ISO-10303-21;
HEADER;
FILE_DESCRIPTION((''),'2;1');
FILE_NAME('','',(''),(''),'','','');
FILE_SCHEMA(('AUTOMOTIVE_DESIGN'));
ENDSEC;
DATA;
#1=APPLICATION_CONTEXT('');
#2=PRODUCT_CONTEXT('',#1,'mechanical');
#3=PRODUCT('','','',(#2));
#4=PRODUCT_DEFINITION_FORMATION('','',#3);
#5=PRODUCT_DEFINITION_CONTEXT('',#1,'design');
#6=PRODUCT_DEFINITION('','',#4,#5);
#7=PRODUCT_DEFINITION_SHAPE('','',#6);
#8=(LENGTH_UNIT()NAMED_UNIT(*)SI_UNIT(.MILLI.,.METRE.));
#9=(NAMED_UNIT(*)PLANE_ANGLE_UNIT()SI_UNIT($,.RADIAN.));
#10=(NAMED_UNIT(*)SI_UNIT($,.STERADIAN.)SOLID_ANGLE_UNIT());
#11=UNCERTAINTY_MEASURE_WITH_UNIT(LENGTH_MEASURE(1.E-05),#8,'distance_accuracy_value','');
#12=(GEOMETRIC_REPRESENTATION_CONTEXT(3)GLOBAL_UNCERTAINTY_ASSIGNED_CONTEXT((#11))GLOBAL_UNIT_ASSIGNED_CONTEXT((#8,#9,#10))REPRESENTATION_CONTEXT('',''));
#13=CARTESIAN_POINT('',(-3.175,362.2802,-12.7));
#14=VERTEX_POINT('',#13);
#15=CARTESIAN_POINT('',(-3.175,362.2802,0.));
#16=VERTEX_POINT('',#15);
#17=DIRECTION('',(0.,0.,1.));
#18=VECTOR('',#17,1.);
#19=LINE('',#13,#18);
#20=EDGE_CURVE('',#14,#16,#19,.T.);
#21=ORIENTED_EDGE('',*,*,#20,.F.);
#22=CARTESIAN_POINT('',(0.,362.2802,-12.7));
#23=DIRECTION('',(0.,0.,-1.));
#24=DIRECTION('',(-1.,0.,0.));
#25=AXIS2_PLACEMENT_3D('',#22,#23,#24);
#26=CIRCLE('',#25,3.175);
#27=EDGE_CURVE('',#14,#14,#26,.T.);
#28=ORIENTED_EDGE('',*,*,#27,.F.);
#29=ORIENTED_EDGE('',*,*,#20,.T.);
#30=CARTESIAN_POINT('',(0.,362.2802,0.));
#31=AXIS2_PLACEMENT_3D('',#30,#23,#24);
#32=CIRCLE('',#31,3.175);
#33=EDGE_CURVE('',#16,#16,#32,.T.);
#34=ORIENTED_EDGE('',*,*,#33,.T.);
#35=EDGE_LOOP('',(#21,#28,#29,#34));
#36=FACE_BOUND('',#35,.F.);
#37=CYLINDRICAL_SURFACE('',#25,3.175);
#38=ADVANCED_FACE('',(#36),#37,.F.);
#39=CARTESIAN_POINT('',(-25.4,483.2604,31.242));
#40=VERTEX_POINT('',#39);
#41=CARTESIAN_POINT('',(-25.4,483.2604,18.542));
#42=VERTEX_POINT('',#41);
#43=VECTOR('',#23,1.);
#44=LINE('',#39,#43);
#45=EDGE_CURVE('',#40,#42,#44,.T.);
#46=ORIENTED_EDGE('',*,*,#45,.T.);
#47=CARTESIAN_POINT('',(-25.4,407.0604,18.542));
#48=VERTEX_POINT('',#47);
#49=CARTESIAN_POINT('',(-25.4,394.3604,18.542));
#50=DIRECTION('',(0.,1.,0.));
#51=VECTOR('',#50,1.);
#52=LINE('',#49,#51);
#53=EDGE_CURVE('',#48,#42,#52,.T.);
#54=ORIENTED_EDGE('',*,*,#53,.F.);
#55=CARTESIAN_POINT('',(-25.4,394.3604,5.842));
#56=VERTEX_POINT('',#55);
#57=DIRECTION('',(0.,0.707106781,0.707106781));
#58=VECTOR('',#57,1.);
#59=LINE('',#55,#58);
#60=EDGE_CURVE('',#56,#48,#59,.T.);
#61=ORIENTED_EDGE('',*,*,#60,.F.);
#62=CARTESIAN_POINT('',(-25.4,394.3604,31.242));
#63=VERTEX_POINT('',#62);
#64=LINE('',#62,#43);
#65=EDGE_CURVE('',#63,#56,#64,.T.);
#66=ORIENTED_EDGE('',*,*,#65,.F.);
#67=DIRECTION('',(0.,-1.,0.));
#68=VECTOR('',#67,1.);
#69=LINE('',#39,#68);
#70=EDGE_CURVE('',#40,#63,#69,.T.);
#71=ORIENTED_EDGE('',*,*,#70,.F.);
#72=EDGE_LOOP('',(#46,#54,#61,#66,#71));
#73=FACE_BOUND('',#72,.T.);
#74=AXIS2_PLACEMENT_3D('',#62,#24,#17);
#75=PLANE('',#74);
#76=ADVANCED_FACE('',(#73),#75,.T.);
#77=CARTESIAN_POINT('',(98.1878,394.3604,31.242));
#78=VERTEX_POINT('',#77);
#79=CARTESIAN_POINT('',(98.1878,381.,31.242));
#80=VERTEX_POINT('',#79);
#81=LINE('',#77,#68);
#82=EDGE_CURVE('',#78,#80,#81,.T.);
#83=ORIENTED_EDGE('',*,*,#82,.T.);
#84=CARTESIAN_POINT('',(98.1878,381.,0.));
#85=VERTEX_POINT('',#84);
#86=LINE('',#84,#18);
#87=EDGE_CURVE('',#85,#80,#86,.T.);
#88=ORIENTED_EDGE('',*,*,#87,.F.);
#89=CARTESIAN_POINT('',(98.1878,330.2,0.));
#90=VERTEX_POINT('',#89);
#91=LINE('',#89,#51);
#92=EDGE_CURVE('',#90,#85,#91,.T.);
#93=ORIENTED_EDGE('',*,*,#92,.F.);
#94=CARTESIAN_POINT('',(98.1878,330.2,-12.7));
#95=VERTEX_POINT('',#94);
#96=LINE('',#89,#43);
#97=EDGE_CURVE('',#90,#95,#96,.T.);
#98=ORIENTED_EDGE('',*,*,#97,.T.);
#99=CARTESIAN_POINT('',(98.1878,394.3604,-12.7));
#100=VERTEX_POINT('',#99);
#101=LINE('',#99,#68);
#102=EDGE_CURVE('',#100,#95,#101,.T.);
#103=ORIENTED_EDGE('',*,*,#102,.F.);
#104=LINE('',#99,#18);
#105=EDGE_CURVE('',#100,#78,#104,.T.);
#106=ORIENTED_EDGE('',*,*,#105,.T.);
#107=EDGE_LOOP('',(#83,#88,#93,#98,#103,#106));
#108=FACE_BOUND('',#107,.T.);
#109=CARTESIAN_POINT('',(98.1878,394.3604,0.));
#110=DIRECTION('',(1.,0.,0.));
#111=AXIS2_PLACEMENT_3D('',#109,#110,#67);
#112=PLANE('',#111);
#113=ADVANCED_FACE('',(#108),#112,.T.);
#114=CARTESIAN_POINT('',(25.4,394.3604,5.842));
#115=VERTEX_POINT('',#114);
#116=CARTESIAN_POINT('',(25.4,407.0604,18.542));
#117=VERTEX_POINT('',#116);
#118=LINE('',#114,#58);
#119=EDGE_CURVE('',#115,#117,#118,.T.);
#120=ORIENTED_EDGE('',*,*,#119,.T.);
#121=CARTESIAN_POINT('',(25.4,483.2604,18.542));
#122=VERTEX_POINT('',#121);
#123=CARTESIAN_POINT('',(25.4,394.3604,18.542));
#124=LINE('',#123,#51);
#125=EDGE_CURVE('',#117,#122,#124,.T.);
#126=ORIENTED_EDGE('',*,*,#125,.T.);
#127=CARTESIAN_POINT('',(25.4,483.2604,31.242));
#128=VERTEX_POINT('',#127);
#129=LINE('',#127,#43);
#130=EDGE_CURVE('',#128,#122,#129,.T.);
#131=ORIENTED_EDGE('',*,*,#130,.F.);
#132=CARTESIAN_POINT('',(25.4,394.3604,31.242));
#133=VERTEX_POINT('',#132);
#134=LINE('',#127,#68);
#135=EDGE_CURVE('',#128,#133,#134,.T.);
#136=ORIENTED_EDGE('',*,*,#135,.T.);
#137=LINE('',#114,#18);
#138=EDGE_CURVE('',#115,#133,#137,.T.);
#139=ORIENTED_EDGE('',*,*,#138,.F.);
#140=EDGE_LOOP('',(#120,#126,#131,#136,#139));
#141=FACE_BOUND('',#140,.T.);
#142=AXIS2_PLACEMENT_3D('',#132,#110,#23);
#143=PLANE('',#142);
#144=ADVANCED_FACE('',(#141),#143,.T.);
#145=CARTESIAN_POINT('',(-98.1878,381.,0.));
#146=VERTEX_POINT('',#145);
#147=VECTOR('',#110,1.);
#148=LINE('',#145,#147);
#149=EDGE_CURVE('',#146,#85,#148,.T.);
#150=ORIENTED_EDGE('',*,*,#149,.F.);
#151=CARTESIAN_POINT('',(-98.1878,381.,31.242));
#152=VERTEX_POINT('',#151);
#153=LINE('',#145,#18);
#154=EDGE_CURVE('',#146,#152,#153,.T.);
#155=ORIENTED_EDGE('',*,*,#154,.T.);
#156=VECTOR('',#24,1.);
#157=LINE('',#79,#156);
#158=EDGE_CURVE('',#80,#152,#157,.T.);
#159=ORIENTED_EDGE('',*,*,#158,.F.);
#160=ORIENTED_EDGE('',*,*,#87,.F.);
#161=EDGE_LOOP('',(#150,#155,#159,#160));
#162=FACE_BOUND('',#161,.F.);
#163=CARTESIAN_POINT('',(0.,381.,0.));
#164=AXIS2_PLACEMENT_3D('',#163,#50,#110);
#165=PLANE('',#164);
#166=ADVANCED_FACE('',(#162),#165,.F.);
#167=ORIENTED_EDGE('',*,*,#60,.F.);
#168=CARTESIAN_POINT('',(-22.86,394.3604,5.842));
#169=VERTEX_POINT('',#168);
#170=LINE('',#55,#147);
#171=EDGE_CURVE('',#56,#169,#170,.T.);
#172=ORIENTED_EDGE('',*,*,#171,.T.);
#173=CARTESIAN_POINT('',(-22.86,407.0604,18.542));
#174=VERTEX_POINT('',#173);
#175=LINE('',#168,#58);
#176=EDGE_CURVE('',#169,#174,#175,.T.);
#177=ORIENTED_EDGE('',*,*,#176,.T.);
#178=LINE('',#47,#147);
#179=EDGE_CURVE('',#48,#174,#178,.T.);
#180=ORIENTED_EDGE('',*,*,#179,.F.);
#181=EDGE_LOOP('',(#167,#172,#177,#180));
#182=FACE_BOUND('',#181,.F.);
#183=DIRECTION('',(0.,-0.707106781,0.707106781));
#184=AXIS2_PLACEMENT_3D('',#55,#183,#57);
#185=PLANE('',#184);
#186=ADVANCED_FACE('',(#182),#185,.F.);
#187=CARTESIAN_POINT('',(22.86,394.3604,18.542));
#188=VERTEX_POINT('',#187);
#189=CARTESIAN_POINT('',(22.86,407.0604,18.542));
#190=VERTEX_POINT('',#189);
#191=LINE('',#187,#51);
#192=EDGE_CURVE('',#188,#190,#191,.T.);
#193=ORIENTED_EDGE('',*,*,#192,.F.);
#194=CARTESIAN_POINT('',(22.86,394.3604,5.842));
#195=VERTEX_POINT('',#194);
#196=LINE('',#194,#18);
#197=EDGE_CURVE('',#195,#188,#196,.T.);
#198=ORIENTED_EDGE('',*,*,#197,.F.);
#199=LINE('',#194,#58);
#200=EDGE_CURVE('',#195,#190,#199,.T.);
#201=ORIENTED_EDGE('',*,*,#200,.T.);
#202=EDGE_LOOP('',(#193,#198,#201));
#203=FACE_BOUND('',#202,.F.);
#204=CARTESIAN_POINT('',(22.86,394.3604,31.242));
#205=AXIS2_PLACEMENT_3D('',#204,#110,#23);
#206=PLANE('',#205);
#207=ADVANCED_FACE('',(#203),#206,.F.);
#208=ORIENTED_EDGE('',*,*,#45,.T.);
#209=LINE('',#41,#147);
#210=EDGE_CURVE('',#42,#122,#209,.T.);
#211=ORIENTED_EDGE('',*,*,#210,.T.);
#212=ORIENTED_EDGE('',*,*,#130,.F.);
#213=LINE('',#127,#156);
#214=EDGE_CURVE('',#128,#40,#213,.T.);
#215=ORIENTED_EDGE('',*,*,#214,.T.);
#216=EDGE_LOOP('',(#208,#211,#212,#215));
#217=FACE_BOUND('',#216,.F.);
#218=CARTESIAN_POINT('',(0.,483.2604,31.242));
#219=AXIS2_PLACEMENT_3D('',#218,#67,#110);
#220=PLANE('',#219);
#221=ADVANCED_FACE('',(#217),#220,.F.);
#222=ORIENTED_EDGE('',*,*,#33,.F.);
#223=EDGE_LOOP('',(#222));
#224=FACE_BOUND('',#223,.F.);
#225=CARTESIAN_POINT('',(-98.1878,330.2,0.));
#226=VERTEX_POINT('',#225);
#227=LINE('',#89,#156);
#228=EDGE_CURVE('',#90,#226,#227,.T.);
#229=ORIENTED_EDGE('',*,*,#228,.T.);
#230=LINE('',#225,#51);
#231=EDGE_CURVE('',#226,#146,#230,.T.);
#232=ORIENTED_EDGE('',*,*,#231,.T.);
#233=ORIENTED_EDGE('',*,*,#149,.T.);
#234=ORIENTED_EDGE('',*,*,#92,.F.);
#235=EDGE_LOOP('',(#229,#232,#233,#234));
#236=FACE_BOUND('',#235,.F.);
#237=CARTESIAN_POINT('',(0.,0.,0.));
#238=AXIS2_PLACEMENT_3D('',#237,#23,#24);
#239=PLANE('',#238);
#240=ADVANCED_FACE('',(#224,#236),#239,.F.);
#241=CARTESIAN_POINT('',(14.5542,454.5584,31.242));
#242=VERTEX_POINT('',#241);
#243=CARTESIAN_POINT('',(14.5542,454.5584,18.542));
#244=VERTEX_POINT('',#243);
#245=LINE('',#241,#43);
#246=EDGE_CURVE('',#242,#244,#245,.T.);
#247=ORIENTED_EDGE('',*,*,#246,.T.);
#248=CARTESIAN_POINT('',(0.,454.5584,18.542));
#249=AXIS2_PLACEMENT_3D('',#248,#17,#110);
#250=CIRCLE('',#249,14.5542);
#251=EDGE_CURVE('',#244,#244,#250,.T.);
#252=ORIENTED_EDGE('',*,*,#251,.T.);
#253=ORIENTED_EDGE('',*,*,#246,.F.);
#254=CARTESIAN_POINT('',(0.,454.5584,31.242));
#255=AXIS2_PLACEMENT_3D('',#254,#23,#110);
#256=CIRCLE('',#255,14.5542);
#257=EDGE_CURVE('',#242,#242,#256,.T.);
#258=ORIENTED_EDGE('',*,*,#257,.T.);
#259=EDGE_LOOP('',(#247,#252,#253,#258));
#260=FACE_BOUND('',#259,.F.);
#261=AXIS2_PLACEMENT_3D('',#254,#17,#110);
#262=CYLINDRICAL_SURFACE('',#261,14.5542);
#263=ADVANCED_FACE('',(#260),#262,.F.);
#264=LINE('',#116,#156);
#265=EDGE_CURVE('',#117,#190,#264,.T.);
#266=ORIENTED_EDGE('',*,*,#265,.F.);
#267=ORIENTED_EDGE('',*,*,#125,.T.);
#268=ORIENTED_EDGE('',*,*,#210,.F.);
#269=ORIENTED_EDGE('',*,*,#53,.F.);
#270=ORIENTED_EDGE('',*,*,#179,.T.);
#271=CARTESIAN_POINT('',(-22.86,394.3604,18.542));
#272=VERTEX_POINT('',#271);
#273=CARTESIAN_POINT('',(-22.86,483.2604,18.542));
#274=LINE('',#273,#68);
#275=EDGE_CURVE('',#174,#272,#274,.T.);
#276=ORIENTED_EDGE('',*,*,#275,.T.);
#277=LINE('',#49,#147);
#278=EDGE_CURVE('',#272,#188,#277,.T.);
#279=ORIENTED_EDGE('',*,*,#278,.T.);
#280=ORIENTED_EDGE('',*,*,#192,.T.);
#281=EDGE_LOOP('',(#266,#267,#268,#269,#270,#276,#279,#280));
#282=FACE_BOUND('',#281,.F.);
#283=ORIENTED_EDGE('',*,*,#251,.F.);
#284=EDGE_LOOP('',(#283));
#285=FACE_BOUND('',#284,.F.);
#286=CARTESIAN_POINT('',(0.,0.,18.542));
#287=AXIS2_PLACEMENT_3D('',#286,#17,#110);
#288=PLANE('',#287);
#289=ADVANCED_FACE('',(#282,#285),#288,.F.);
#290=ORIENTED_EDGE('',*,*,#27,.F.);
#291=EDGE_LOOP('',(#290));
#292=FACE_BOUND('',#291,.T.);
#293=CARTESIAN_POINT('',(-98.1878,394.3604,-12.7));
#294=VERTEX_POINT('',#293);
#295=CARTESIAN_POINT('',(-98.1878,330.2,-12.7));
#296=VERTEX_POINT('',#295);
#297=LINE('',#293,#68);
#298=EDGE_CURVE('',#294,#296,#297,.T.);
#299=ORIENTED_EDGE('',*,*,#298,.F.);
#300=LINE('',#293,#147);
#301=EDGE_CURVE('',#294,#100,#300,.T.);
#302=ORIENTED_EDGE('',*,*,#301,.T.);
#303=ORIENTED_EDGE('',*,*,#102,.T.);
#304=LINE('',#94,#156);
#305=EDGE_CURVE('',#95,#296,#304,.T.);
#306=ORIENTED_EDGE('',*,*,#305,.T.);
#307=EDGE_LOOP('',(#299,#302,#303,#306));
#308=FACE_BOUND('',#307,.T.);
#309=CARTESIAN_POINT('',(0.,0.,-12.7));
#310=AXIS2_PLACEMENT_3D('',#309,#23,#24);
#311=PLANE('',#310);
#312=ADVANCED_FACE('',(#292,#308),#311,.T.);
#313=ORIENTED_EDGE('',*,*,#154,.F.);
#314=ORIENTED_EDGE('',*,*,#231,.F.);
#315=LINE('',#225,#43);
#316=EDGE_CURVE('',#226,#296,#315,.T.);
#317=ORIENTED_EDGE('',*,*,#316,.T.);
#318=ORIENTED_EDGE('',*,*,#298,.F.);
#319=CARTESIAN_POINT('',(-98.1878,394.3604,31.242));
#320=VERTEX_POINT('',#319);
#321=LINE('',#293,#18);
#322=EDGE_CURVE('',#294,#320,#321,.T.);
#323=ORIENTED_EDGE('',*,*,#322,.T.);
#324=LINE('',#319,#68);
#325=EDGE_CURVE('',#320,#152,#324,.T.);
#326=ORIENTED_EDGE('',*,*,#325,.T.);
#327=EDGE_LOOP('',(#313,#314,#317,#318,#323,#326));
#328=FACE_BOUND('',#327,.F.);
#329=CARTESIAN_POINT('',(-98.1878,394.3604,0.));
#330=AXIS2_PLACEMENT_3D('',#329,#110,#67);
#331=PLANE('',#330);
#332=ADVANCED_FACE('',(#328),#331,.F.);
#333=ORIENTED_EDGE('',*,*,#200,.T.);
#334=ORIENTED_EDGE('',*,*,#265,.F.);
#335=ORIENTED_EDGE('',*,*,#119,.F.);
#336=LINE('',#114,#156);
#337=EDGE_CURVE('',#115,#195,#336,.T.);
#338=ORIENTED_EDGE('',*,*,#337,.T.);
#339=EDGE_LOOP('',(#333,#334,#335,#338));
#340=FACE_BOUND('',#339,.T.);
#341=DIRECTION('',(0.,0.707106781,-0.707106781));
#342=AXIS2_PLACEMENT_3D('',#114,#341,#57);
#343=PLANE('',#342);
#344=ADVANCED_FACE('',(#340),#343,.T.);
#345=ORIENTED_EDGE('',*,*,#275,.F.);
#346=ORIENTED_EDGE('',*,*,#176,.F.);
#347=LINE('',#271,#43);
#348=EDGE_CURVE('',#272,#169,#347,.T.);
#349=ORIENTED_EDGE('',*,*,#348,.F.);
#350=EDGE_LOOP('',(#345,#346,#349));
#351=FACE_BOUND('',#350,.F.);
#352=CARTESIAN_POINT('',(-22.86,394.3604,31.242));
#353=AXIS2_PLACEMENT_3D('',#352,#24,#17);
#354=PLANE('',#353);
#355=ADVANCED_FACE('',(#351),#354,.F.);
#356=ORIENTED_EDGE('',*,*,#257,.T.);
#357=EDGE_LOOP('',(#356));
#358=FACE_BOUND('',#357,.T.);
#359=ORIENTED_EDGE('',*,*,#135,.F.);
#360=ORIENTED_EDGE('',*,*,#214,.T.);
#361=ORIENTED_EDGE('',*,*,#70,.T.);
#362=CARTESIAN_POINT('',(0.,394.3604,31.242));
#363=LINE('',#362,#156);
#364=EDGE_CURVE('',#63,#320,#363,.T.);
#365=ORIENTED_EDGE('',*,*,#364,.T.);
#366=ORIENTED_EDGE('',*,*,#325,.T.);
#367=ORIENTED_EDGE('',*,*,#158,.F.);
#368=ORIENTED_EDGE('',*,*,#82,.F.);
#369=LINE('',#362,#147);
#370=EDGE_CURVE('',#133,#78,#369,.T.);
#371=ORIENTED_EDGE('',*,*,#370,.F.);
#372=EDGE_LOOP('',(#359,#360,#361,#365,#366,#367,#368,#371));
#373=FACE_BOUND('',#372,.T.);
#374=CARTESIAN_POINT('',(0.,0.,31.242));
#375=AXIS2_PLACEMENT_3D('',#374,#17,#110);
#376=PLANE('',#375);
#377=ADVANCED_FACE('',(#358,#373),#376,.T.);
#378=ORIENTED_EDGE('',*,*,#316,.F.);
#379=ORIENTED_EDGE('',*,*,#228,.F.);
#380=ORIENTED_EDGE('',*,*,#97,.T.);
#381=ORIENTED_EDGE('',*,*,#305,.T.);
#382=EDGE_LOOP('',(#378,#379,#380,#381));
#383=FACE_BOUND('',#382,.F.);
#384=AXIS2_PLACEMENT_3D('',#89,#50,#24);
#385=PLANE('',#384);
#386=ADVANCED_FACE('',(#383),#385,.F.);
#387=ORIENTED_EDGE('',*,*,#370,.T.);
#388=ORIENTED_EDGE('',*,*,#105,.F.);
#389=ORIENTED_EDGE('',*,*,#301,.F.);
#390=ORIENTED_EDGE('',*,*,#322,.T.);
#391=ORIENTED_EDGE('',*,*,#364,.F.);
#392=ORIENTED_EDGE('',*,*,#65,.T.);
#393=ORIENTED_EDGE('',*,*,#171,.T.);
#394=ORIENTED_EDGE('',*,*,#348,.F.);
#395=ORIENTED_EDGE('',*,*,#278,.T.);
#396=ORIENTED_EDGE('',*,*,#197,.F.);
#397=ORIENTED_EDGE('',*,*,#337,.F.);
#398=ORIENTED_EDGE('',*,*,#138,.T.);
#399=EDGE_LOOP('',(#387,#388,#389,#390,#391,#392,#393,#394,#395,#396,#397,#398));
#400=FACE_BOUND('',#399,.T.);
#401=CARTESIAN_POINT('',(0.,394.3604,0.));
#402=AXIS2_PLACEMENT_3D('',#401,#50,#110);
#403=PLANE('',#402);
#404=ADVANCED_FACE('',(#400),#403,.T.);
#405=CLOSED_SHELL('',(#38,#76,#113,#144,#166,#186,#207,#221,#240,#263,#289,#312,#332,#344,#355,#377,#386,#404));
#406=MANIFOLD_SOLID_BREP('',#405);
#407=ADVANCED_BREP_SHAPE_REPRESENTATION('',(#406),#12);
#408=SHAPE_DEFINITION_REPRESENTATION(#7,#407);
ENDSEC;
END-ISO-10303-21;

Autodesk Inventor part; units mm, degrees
ref_plane "YZ Plane" through (0, 0, 0) normal (1, 0, 0) x (0, 1, 0)
ref_plane "XZ Plane" through (0, 0, 0) normal (0, 1, 0) x (-1, 0, 0)
ref_plane "XY Plane" through (0, 0, 0) normal (0, 0, 1) x (1, 0, 0)
sketch "Sketch2" plane through (0, 0, 0) normal (0, 0, 1) x (1, 0, 0)
  circle A0 centre (0, 0) radius 406.4
  line L0 (-704.85, -381) -> (704.85, -381)
  line L1 (704.85, -381) -> (704.85, 381)
  line L2 (-704.85, 381) -> (-704.85, -381)
  line L3 (-704.85, -381) -> (704.85, 381) construction
  line L4 (704.85, -381) -> (-704.85, 381) construction
  line L5 (0, 381) -> (-98.1878, 381)
  line L6 (0, 394.3604) -> (-98.1878, 394.3604)
  line L7 (-98.1878, 394.3604) -> (-98.1878, 381)
  line L8 (0, 394.3604) -> (98.1878, 394.3604)
  line L9 (98.1878, 394.3604) -> (98.1878, 381)
  line L10 (-98.1878, 381) -> (98.1878, 381)
  line L11 (-98.1878, 381) -> (98.1878, 381)
  line L12 (-98.1878, 394.3604) -> (98.1878, 394.3604)
  line L13 (98.1878, 394.3604) -> (98.1878, 381)
  line L14 (-98.1878, 394.3604) -> (-98.1878, 381)
  line L15 (-141.4212, 381) -> (-704.85, 381)
  line L16 (704.85, 381) -> (141.4212, 381)
  line L17 (98.1878, 381) -> (-98.1878, 381)
  dimension "d0" = 812.8
  dimension "d1" = 1409.7
  dimension "d2" = 762
  dimension "d9" = 394.3604
extrude "Extrusion1" add sketch "Sketch2" along normal blind 31.242 contours L9 L10 L5 L7 L6 L8
sketch "Sketch4" plane through (0, 0, 31.242) normal (0, 0, 1) x (1, 0, 0)
  circle A0 centre (0, 0) radius 406.4
  line L0 (98.1878, 394.3604) -> (-98.1878, 394.3604) projected
  circle A1 centre (0, 454.5584) radius 14.5542
  line L1 (25.4, 394.3604) -> (-25.4, 394.3604)
  line L2 (-25.4, 394.3604) -> (-25.4, 483.2604)
  line L3 (-25.4, 483.2604) -> (25.4, 483.2604)
  line L4 (25.4, 483.2604) -> (25.4, 394.3604)
  line L5 (0, 0) -> (0, 517.5127)
  arc A2 (25.4, 410.5643) -> (-25.4, 410.5643) centre (0, 454.5584) ccw
  line L6 (-98.1878, 381) -> (98.1878, 381) projected
  dimension "d10" = 812.8
  dimension "d12" = 60.198
  dimension "d13" = 29.1084
  dimension "d14" = 50.8
  dimension "d15" = 88.9
  dimension "d16" = 25.4
  dimension "d27" = 13.3604
  dimension "d28" = 50.8
extrude "Extrusion2" add sketch "Sketch4" against normal blind 12.7 contours L4 L0 L5 A0 | A0 L5 A1 L3 L4 | L2 L3 L5 A1 A0 | A0 L5 L0 L2
sketch "Sketch7" plane through (0, 0, 0) normal (0, 0, -1) x (-1, 0, 0)
  line L0 (98.1878, 394.3604) -> (98.1878, 381) projected
  line L1 (98.1878, 394.3604) -> (-98.1878, 394.3604)
  line L2 (-98.1878, 394.3604) -> (-98.1878, 330.2)
  line L3 (-98.1878, 330.2) -> (98.1878, 330.2)
  line L4 (98.1878, 330.2) -> (98.1878, 394.3604)
  line L5 (98.1878, 381) -> (-98.1878, 381) projected
  point P0 (0, 0)
  dimension "d23" = 50.8
  dimension "d24" = 64.1604
extrude "Extrusion5" add sketch "Sketch7" along normal blind 12.7
sketch "Sketch8" plane through (0, 0, -12.7) normal (0, 0, -1) x (-1, 0, 0)
  line L0 (98.1878, 394.3604) -> (-98.1878, 394.3604) projected
  circle A0 centre (0, 362.2802) radius 3.175
  point P0 (0, 0)
  dimension "d31" = 6.35
extrude "Extrusion6" cut sketch "Sketch8" against normal blind 12.7
thread "Thread1" size "1/4-20 UNC" class "2B" standard "ANSI Unified Screw Threads" full length
sketch "Sketch9" plane through (-25.4, 394.3604, 31.242) normal (-1, 0, 0) x (0, 0, 1)
  line L0 (0, 88.9) -> (-12.7, 88.9) projected
  line L1 (-12.7, 88.9) -> (-12.7, 0) projected
  line L2 (-12.7, 12.7) -> (-12.7, 0)
  line L3 (-12.7, 0) -> (-25.4, 0)
  line L4 (-43.942, 0) -> (0, 0) projected
  line L5 (-25.4, 0) -> (-12.7, 12.7)
  point P0 (-31.242, -394.3604)
  dimension "d36" = 12.7
  dimension "d37" = 45
extrude "Extrusion7" add sketch "Sketch9" against normal blind 2.54
sketch "Sketch10" plane through (25.4, 394.3604, 31.242) normal (1, 0, 0) x (0, 0, -1)
  line L0 (25.4, 0) -> (12.7, 0) projected
  line L1 (25.4, 0) -> (12.7, 12.7) projected
  line L2 (12.7, 0) -> (12.7, 12.7)
  line L3 (12.7, 12.7) -> (25.4, 0)
  line L4 (25.4, 0) -> (12.7, 0)
  point P0 (31.242, -394.3604)
extrude "Extrusion8" add sketch "Sketch10" against normal blind 2.54
properties part number "NewNewMechanism"
